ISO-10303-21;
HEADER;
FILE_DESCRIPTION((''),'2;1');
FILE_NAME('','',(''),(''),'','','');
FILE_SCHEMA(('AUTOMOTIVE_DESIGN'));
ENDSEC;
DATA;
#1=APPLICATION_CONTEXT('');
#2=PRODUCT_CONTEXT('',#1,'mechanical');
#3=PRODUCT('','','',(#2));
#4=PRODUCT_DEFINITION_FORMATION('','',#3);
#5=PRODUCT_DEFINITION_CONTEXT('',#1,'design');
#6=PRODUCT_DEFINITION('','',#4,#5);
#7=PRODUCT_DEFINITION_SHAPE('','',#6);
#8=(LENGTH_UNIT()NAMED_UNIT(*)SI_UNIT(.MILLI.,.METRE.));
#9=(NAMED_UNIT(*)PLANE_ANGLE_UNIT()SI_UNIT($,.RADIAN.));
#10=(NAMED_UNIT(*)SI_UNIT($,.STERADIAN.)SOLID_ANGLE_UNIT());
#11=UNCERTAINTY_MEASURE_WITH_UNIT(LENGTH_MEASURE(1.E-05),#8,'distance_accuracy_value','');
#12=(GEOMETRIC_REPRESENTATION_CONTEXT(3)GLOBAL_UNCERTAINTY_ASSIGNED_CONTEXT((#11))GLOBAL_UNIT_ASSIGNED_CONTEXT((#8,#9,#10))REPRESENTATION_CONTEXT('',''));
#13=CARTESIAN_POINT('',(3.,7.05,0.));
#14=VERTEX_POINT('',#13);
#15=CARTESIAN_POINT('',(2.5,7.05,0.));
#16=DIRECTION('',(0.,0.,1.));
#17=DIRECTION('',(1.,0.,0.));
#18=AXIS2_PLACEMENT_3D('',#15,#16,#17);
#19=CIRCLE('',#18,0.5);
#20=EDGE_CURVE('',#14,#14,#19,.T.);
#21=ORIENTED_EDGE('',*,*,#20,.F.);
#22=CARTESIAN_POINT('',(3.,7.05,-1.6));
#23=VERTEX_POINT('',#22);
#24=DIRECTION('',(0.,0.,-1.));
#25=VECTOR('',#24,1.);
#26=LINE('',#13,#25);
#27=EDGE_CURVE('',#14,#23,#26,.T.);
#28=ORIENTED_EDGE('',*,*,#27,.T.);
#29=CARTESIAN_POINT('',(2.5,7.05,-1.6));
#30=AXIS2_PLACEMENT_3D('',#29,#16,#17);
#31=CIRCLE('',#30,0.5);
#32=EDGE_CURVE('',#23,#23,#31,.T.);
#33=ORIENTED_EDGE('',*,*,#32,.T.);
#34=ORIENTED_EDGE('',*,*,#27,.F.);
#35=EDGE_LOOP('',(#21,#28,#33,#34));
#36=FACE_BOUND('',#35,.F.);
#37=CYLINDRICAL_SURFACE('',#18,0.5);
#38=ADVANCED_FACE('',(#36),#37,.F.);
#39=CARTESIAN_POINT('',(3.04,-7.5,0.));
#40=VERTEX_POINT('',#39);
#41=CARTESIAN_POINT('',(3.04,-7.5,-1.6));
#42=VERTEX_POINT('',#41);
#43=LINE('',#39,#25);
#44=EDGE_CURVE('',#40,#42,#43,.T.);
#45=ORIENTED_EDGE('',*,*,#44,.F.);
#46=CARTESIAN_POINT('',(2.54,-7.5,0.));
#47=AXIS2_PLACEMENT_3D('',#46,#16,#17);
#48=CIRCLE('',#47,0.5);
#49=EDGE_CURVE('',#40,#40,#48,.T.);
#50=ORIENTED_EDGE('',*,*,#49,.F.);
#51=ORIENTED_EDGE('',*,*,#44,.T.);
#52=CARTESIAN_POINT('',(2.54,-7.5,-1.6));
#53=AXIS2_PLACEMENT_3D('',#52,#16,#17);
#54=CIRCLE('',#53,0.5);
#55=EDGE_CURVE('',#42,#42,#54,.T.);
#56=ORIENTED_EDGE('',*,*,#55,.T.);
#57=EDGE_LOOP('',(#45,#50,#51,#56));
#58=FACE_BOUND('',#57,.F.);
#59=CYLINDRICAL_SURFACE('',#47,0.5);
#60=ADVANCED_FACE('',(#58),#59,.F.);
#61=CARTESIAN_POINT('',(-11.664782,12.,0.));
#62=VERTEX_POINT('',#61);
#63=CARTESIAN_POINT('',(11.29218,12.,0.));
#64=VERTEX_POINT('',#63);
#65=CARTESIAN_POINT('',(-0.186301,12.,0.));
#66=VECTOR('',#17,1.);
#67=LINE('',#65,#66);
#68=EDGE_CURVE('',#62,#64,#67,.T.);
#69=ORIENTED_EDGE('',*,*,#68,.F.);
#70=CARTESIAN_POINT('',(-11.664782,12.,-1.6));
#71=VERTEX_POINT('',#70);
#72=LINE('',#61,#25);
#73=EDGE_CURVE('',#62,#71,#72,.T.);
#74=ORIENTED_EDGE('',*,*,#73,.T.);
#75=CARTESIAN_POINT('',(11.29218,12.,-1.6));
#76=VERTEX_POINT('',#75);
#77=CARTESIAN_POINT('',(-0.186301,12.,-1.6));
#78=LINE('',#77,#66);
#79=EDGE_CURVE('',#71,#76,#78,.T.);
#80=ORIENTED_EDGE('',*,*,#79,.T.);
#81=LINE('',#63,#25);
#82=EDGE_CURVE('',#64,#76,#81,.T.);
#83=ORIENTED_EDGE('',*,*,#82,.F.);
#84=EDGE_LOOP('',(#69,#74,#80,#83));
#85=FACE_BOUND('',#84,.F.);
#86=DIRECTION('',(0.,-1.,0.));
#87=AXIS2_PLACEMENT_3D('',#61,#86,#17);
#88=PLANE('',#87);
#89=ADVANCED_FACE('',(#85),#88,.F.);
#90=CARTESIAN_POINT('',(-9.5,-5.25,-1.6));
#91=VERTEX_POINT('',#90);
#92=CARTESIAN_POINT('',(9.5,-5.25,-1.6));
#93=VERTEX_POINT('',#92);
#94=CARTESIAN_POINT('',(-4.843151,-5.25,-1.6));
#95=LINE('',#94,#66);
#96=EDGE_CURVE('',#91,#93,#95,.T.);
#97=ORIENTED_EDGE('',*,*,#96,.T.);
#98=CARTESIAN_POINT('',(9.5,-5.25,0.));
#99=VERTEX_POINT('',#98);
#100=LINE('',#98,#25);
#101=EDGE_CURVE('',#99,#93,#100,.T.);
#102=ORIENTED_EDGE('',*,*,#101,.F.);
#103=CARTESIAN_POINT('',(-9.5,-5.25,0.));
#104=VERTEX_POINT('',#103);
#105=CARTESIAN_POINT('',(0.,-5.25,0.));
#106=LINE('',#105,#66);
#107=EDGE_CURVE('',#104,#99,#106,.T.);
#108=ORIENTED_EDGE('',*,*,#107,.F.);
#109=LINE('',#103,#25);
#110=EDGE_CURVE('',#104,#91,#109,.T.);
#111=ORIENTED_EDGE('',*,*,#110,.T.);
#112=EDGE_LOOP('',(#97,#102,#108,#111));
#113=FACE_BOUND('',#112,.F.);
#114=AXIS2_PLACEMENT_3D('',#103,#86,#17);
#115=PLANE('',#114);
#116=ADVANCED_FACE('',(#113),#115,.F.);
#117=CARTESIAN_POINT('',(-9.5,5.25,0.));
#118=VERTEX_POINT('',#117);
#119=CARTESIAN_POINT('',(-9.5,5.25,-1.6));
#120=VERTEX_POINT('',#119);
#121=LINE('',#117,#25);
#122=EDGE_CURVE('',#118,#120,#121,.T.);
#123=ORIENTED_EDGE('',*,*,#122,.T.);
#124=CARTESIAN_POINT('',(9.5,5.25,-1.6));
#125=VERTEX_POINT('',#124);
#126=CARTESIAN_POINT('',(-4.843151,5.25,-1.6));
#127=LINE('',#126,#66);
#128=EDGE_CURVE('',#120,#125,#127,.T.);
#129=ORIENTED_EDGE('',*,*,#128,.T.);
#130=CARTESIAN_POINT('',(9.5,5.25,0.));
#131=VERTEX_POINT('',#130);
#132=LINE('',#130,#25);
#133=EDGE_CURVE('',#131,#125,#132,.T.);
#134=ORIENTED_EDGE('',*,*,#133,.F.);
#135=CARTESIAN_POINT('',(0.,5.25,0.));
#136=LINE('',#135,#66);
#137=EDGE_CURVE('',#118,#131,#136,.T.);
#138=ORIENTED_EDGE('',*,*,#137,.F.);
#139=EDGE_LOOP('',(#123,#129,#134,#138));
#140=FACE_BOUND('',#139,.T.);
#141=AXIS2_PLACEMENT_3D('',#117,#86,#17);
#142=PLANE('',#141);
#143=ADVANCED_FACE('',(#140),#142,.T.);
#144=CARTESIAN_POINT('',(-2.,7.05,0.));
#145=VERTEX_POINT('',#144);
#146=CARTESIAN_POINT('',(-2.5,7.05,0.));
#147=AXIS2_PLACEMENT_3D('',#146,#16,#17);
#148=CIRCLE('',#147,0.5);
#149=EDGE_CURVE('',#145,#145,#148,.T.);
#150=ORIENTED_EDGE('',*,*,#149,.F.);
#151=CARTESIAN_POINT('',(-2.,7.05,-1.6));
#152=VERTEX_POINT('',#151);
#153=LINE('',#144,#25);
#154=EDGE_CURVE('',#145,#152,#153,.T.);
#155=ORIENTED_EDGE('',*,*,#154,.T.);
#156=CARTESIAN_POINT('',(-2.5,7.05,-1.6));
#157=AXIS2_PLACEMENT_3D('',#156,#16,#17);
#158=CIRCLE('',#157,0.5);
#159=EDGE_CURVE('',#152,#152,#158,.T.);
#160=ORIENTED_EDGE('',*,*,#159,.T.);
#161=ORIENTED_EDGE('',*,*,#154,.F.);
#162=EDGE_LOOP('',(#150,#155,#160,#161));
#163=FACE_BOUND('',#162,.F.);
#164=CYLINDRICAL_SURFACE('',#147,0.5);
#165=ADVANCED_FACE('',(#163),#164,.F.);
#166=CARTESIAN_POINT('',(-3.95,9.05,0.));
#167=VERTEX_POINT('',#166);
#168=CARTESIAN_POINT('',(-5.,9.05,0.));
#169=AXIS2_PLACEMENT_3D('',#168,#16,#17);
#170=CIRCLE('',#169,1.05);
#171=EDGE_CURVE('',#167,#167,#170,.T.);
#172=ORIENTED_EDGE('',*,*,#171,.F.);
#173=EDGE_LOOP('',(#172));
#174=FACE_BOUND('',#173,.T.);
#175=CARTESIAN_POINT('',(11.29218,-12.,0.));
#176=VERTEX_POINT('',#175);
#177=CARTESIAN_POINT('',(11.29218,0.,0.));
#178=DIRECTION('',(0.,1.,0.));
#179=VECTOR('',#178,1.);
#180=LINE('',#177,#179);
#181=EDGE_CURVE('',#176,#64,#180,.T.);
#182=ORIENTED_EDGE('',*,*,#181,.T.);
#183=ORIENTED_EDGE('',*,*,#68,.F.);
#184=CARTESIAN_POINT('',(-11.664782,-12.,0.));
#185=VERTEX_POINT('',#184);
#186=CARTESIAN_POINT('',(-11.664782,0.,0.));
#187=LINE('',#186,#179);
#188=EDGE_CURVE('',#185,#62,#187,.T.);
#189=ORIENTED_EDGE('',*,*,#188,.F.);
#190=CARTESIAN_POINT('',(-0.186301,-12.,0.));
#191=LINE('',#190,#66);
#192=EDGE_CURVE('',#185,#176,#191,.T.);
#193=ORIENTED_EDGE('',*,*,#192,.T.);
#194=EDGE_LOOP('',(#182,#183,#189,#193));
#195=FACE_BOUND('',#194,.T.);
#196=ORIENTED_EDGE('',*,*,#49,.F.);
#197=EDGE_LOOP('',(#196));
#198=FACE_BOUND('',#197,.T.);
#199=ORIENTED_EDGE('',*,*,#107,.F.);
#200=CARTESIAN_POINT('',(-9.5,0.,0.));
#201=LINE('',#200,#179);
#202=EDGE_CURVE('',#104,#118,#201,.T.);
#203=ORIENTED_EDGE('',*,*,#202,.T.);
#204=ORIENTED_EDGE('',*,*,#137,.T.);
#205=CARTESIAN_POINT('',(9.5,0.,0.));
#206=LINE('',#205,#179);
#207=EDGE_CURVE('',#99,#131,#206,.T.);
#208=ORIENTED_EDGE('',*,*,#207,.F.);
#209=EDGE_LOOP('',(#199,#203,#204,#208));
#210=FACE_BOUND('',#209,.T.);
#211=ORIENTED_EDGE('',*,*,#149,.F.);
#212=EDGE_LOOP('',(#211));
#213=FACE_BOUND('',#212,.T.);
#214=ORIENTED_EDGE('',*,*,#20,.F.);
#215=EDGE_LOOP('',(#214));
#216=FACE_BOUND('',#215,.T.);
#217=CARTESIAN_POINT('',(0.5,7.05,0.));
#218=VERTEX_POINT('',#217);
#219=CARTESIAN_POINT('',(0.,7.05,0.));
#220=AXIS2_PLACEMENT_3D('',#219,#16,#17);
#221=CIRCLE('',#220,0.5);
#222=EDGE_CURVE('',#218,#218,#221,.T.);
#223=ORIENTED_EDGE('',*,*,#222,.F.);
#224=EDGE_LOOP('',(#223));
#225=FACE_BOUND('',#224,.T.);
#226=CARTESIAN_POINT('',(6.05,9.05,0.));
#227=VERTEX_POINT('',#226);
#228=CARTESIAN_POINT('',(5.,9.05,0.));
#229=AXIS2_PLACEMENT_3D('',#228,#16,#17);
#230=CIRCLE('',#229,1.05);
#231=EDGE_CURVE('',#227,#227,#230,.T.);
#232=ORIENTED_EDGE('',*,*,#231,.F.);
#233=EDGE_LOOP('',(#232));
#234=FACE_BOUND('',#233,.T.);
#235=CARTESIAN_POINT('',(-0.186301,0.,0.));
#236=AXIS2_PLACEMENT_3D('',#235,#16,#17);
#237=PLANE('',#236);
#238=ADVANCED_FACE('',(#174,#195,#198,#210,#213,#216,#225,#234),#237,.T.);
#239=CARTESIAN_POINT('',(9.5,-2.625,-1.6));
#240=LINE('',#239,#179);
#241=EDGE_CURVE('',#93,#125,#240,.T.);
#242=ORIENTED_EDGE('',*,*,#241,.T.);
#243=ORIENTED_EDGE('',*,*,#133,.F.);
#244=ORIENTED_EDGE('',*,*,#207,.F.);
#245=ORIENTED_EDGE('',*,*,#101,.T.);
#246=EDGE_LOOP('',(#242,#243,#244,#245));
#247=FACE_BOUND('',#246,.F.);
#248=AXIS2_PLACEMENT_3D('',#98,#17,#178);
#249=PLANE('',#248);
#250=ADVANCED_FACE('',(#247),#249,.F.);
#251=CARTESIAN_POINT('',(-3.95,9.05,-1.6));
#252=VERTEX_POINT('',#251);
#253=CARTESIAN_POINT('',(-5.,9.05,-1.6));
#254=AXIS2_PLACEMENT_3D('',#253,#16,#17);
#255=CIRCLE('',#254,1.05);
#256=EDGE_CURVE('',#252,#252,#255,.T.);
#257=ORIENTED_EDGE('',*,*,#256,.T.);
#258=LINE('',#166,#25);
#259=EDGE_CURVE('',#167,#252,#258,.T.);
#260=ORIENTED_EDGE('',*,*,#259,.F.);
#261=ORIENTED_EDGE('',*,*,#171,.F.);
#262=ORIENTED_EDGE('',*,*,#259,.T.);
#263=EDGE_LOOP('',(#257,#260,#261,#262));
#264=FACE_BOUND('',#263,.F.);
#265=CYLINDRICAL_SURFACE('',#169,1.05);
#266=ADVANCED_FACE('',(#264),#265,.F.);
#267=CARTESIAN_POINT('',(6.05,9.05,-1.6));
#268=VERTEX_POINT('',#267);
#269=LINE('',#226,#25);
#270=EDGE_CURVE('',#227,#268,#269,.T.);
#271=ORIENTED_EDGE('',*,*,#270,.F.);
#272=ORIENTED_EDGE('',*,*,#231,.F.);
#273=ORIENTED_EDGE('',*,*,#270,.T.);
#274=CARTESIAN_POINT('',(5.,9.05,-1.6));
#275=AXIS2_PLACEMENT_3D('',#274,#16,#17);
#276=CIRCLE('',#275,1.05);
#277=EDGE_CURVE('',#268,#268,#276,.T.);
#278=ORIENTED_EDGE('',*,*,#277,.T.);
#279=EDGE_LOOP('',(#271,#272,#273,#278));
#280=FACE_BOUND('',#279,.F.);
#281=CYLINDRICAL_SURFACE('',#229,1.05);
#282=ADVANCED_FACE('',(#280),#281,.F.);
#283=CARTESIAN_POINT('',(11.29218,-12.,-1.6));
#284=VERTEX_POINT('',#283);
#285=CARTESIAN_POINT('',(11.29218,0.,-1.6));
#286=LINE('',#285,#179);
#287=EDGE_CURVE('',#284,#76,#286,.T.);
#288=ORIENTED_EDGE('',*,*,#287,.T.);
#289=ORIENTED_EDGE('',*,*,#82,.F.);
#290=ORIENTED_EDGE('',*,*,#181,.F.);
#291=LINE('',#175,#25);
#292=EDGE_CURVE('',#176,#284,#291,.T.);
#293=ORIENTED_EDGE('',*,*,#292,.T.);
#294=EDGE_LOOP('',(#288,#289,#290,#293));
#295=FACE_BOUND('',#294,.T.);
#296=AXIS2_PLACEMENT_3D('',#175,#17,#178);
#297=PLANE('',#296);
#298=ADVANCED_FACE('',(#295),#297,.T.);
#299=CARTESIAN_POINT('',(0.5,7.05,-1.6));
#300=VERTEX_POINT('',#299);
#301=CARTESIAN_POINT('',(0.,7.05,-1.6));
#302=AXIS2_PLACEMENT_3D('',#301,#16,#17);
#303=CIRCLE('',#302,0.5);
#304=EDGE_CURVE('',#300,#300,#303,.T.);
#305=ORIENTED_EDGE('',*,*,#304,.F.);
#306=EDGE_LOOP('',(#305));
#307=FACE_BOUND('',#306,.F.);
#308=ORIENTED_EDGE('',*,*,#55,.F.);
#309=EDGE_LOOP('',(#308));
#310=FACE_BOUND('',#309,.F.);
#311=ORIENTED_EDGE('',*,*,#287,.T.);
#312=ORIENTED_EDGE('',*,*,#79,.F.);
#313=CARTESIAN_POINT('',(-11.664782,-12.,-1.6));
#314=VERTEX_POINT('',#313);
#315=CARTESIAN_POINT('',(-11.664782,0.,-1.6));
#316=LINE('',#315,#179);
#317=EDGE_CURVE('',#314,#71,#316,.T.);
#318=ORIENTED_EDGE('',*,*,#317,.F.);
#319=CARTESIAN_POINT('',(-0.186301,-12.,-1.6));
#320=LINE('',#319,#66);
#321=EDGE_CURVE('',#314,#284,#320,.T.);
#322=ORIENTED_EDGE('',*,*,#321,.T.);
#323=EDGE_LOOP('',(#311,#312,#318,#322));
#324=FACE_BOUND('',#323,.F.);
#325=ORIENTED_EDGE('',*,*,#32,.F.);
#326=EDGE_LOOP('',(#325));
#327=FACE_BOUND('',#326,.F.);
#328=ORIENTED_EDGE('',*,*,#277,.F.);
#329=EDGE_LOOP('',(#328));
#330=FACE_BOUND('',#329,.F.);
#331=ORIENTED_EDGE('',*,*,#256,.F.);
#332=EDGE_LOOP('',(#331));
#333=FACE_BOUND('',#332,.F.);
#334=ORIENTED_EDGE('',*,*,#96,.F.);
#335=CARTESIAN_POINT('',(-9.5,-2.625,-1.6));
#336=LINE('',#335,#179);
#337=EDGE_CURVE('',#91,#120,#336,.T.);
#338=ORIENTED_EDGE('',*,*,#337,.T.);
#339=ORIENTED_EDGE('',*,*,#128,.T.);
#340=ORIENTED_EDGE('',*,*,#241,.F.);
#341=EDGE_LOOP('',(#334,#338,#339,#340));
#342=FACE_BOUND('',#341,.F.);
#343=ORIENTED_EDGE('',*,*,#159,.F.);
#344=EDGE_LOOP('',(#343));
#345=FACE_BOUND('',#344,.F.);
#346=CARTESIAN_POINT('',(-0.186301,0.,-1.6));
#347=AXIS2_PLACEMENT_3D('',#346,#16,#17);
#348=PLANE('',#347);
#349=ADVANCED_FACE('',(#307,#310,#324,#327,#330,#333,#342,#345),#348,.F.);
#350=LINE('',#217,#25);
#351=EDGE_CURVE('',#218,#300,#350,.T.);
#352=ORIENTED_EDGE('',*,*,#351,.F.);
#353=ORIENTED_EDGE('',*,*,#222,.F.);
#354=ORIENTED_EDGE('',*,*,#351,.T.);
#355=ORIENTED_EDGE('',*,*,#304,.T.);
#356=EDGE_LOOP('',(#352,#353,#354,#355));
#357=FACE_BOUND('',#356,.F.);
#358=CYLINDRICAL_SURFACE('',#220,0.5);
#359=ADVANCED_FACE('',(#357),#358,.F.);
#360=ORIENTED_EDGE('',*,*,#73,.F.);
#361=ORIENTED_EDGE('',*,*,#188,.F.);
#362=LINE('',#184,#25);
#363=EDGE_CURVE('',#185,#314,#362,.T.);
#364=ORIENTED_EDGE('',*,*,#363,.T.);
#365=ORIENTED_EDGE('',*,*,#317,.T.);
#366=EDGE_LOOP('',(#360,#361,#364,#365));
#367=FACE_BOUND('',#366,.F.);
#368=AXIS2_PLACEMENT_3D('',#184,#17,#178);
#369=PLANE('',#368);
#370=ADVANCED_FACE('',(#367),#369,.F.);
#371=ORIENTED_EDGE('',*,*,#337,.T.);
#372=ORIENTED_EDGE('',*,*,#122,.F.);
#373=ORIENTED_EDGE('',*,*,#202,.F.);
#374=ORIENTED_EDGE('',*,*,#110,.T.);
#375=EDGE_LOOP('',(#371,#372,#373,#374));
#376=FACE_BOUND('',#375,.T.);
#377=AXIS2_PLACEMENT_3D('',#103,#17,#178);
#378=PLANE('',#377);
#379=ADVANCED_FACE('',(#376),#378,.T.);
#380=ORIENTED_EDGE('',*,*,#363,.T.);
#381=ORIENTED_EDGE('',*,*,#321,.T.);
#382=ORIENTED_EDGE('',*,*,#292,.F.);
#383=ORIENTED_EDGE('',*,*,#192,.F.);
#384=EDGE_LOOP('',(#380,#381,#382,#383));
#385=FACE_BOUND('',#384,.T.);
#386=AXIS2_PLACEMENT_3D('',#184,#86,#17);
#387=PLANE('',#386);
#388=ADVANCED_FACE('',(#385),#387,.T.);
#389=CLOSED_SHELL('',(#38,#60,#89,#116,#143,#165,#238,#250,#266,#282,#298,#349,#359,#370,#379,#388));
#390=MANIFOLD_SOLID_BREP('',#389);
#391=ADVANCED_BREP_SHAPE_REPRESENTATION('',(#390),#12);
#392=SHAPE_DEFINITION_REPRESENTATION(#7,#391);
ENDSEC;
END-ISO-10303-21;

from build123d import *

# Parameters (mm, degrees)
F0_W     = 22.956962
F0_H     = 24
F0_R     = 0.5
F0_R_2   = 1.05
F1_DEPTH = 1.6
F2_W     = 19
F2_H     = 10.5
F3_DEPTH = 25


with BuildPart() as f1:
    # F0 (on Top) → F1 (new body)
    with BuildSketch(Plane.XY):
        with Locations((-0.186301, 0)):
            Rectangle(F0_W, F0_H)
        with Locations((2.54, -7.5)):
            Circle(F0_R, mode=Mode.SUBTRACT)
        with Locations((-2.5, 7.05)):
            Circle(F0_R, mode=Mode.SUBTRACT)
        with Locations((-5, 9.05)):
            Circle(F0_R_2, mode=Mode.SUBTRACT)
        with Locations((0, 7.05)):
            Circle(F0_R, mode=Mode.SUBTRACT)
        with Locations((2.5, 7.05)):
            Circle(F0_R, mode=Mode.SUBTRACT)
        with Locations((5, 9.05)):
            Circle(F0_R_2, mode=Mode.SUBTRACT)
    extrude(amount=-F1_DEPTH)

    # F2 (on face) → F3 (cut)
    with BuildSketch(Plane.XY):
        Rectangle(F2_W, F2_H)
    extrude(amount=-F3_DEPTH, mode=Mode.SUBTRACT)


solid = f1.part
